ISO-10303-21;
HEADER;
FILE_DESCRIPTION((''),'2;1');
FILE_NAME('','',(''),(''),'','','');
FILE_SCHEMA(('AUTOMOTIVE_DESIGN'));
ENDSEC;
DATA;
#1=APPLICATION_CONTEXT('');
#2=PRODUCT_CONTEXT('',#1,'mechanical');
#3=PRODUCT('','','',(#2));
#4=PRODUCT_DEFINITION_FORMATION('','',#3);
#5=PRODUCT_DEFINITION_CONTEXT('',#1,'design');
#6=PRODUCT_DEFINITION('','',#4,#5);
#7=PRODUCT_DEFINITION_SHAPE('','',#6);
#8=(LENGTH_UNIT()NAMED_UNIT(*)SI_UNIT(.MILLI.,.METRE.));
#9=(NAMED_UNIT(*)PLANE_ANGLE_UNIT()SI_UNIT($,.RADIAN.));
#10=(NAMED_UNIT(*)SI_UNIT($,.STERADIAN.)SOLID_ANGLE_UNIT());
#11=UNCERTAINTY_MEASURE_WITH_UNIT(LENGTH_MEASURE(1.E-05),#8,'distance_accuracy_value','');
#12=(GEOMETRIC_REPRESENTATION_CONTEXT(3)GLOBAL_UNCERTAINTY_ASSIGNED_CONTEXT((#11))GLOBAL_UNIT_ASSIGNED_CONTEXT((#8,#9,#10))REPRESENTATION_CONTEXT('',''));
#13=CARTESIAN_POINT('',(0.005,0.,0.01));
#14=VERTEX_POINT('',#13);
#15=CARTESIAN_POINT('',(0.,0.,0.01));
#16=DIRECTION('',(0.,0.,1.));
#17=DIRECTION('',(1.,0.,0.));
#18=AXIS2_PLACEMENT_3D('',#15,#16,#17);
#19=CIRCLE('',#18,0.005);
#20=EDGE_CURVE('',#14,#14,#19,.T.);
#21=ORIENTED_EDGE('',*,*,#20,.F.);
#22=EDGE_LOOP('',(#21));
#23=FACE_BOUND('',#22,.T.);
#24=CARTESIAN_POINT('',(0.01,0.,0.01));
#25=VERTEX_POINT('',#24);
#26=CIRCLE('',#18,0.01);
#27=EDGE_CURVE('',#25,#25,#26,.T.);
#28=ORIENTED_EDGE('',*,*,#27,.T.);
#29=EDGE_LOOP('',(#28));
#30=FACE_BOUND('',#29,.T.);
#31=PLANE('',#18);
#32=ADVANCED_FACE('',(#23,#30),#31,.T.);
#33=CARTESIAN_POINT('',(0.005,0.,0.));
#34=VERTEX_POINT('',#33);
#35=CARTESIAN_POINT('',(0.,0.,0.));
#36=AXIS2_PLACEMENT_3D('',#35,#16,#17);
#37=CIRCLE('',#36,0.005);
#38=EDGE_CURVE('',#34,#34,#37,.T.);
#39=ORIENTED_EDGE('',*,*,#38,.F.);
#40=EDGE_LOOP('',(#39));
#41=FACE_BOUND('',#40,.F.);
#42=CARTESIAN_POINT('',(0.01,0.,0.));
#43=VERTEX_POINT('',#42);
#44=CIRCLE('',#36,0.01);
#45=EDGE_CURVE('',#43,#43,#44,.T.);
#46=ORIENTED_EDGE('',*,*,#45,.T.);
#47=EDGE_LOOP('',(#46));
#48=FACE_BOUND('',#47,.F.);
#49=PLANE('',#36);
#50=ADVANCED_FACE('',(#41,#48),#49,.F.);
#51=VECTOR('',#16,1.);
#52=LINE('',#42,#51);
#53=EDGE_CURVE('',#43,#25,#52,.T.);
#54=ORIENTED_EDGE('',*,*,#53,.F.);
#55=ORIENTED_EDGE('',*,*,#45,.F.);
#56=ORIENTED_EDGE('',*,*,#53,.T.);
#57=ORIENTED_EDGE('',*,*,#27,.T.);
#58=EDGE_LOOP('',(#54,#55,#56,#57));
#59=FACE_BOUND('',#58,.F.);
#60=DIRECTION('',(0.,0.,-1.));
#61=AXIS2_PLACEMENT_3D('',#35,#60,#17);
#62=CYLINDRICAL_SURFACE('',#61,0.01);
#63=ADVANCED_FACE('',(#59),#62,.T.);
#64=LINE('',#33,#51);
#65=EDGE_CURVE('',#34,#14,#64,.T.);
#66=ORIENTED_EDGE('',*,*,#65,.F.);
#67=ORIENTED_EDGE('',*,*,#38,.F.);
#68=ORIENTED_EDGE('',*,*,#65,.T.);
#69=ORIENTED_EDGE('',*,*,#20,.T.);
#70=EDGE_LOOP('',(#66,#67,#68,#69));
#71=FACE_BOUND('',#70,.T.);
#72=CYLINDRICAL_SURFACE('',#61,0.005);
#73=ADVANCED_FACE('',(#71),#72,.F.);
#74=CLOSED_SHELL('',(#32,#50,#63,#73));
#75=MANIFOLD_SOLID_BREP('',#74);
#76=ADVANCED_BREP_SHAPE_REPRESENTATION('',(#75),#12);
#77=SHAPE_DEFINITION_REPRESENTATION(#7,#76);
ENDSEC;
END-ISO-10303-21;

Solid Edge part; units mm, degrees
sketch "Sketch1" plane through (0, 0, 0) normal (0, 0, 1) x (1, 0, 0)
  circle A0 centre (0, 0) radius 0.01
  circle A1 centre (0, 0) radius 0.005
  dimension "D1" = 0.01
  dimension "D2" = 0.02
extrude "Protrusion1" add sketch "Sketch1" along normal blind 0.01
